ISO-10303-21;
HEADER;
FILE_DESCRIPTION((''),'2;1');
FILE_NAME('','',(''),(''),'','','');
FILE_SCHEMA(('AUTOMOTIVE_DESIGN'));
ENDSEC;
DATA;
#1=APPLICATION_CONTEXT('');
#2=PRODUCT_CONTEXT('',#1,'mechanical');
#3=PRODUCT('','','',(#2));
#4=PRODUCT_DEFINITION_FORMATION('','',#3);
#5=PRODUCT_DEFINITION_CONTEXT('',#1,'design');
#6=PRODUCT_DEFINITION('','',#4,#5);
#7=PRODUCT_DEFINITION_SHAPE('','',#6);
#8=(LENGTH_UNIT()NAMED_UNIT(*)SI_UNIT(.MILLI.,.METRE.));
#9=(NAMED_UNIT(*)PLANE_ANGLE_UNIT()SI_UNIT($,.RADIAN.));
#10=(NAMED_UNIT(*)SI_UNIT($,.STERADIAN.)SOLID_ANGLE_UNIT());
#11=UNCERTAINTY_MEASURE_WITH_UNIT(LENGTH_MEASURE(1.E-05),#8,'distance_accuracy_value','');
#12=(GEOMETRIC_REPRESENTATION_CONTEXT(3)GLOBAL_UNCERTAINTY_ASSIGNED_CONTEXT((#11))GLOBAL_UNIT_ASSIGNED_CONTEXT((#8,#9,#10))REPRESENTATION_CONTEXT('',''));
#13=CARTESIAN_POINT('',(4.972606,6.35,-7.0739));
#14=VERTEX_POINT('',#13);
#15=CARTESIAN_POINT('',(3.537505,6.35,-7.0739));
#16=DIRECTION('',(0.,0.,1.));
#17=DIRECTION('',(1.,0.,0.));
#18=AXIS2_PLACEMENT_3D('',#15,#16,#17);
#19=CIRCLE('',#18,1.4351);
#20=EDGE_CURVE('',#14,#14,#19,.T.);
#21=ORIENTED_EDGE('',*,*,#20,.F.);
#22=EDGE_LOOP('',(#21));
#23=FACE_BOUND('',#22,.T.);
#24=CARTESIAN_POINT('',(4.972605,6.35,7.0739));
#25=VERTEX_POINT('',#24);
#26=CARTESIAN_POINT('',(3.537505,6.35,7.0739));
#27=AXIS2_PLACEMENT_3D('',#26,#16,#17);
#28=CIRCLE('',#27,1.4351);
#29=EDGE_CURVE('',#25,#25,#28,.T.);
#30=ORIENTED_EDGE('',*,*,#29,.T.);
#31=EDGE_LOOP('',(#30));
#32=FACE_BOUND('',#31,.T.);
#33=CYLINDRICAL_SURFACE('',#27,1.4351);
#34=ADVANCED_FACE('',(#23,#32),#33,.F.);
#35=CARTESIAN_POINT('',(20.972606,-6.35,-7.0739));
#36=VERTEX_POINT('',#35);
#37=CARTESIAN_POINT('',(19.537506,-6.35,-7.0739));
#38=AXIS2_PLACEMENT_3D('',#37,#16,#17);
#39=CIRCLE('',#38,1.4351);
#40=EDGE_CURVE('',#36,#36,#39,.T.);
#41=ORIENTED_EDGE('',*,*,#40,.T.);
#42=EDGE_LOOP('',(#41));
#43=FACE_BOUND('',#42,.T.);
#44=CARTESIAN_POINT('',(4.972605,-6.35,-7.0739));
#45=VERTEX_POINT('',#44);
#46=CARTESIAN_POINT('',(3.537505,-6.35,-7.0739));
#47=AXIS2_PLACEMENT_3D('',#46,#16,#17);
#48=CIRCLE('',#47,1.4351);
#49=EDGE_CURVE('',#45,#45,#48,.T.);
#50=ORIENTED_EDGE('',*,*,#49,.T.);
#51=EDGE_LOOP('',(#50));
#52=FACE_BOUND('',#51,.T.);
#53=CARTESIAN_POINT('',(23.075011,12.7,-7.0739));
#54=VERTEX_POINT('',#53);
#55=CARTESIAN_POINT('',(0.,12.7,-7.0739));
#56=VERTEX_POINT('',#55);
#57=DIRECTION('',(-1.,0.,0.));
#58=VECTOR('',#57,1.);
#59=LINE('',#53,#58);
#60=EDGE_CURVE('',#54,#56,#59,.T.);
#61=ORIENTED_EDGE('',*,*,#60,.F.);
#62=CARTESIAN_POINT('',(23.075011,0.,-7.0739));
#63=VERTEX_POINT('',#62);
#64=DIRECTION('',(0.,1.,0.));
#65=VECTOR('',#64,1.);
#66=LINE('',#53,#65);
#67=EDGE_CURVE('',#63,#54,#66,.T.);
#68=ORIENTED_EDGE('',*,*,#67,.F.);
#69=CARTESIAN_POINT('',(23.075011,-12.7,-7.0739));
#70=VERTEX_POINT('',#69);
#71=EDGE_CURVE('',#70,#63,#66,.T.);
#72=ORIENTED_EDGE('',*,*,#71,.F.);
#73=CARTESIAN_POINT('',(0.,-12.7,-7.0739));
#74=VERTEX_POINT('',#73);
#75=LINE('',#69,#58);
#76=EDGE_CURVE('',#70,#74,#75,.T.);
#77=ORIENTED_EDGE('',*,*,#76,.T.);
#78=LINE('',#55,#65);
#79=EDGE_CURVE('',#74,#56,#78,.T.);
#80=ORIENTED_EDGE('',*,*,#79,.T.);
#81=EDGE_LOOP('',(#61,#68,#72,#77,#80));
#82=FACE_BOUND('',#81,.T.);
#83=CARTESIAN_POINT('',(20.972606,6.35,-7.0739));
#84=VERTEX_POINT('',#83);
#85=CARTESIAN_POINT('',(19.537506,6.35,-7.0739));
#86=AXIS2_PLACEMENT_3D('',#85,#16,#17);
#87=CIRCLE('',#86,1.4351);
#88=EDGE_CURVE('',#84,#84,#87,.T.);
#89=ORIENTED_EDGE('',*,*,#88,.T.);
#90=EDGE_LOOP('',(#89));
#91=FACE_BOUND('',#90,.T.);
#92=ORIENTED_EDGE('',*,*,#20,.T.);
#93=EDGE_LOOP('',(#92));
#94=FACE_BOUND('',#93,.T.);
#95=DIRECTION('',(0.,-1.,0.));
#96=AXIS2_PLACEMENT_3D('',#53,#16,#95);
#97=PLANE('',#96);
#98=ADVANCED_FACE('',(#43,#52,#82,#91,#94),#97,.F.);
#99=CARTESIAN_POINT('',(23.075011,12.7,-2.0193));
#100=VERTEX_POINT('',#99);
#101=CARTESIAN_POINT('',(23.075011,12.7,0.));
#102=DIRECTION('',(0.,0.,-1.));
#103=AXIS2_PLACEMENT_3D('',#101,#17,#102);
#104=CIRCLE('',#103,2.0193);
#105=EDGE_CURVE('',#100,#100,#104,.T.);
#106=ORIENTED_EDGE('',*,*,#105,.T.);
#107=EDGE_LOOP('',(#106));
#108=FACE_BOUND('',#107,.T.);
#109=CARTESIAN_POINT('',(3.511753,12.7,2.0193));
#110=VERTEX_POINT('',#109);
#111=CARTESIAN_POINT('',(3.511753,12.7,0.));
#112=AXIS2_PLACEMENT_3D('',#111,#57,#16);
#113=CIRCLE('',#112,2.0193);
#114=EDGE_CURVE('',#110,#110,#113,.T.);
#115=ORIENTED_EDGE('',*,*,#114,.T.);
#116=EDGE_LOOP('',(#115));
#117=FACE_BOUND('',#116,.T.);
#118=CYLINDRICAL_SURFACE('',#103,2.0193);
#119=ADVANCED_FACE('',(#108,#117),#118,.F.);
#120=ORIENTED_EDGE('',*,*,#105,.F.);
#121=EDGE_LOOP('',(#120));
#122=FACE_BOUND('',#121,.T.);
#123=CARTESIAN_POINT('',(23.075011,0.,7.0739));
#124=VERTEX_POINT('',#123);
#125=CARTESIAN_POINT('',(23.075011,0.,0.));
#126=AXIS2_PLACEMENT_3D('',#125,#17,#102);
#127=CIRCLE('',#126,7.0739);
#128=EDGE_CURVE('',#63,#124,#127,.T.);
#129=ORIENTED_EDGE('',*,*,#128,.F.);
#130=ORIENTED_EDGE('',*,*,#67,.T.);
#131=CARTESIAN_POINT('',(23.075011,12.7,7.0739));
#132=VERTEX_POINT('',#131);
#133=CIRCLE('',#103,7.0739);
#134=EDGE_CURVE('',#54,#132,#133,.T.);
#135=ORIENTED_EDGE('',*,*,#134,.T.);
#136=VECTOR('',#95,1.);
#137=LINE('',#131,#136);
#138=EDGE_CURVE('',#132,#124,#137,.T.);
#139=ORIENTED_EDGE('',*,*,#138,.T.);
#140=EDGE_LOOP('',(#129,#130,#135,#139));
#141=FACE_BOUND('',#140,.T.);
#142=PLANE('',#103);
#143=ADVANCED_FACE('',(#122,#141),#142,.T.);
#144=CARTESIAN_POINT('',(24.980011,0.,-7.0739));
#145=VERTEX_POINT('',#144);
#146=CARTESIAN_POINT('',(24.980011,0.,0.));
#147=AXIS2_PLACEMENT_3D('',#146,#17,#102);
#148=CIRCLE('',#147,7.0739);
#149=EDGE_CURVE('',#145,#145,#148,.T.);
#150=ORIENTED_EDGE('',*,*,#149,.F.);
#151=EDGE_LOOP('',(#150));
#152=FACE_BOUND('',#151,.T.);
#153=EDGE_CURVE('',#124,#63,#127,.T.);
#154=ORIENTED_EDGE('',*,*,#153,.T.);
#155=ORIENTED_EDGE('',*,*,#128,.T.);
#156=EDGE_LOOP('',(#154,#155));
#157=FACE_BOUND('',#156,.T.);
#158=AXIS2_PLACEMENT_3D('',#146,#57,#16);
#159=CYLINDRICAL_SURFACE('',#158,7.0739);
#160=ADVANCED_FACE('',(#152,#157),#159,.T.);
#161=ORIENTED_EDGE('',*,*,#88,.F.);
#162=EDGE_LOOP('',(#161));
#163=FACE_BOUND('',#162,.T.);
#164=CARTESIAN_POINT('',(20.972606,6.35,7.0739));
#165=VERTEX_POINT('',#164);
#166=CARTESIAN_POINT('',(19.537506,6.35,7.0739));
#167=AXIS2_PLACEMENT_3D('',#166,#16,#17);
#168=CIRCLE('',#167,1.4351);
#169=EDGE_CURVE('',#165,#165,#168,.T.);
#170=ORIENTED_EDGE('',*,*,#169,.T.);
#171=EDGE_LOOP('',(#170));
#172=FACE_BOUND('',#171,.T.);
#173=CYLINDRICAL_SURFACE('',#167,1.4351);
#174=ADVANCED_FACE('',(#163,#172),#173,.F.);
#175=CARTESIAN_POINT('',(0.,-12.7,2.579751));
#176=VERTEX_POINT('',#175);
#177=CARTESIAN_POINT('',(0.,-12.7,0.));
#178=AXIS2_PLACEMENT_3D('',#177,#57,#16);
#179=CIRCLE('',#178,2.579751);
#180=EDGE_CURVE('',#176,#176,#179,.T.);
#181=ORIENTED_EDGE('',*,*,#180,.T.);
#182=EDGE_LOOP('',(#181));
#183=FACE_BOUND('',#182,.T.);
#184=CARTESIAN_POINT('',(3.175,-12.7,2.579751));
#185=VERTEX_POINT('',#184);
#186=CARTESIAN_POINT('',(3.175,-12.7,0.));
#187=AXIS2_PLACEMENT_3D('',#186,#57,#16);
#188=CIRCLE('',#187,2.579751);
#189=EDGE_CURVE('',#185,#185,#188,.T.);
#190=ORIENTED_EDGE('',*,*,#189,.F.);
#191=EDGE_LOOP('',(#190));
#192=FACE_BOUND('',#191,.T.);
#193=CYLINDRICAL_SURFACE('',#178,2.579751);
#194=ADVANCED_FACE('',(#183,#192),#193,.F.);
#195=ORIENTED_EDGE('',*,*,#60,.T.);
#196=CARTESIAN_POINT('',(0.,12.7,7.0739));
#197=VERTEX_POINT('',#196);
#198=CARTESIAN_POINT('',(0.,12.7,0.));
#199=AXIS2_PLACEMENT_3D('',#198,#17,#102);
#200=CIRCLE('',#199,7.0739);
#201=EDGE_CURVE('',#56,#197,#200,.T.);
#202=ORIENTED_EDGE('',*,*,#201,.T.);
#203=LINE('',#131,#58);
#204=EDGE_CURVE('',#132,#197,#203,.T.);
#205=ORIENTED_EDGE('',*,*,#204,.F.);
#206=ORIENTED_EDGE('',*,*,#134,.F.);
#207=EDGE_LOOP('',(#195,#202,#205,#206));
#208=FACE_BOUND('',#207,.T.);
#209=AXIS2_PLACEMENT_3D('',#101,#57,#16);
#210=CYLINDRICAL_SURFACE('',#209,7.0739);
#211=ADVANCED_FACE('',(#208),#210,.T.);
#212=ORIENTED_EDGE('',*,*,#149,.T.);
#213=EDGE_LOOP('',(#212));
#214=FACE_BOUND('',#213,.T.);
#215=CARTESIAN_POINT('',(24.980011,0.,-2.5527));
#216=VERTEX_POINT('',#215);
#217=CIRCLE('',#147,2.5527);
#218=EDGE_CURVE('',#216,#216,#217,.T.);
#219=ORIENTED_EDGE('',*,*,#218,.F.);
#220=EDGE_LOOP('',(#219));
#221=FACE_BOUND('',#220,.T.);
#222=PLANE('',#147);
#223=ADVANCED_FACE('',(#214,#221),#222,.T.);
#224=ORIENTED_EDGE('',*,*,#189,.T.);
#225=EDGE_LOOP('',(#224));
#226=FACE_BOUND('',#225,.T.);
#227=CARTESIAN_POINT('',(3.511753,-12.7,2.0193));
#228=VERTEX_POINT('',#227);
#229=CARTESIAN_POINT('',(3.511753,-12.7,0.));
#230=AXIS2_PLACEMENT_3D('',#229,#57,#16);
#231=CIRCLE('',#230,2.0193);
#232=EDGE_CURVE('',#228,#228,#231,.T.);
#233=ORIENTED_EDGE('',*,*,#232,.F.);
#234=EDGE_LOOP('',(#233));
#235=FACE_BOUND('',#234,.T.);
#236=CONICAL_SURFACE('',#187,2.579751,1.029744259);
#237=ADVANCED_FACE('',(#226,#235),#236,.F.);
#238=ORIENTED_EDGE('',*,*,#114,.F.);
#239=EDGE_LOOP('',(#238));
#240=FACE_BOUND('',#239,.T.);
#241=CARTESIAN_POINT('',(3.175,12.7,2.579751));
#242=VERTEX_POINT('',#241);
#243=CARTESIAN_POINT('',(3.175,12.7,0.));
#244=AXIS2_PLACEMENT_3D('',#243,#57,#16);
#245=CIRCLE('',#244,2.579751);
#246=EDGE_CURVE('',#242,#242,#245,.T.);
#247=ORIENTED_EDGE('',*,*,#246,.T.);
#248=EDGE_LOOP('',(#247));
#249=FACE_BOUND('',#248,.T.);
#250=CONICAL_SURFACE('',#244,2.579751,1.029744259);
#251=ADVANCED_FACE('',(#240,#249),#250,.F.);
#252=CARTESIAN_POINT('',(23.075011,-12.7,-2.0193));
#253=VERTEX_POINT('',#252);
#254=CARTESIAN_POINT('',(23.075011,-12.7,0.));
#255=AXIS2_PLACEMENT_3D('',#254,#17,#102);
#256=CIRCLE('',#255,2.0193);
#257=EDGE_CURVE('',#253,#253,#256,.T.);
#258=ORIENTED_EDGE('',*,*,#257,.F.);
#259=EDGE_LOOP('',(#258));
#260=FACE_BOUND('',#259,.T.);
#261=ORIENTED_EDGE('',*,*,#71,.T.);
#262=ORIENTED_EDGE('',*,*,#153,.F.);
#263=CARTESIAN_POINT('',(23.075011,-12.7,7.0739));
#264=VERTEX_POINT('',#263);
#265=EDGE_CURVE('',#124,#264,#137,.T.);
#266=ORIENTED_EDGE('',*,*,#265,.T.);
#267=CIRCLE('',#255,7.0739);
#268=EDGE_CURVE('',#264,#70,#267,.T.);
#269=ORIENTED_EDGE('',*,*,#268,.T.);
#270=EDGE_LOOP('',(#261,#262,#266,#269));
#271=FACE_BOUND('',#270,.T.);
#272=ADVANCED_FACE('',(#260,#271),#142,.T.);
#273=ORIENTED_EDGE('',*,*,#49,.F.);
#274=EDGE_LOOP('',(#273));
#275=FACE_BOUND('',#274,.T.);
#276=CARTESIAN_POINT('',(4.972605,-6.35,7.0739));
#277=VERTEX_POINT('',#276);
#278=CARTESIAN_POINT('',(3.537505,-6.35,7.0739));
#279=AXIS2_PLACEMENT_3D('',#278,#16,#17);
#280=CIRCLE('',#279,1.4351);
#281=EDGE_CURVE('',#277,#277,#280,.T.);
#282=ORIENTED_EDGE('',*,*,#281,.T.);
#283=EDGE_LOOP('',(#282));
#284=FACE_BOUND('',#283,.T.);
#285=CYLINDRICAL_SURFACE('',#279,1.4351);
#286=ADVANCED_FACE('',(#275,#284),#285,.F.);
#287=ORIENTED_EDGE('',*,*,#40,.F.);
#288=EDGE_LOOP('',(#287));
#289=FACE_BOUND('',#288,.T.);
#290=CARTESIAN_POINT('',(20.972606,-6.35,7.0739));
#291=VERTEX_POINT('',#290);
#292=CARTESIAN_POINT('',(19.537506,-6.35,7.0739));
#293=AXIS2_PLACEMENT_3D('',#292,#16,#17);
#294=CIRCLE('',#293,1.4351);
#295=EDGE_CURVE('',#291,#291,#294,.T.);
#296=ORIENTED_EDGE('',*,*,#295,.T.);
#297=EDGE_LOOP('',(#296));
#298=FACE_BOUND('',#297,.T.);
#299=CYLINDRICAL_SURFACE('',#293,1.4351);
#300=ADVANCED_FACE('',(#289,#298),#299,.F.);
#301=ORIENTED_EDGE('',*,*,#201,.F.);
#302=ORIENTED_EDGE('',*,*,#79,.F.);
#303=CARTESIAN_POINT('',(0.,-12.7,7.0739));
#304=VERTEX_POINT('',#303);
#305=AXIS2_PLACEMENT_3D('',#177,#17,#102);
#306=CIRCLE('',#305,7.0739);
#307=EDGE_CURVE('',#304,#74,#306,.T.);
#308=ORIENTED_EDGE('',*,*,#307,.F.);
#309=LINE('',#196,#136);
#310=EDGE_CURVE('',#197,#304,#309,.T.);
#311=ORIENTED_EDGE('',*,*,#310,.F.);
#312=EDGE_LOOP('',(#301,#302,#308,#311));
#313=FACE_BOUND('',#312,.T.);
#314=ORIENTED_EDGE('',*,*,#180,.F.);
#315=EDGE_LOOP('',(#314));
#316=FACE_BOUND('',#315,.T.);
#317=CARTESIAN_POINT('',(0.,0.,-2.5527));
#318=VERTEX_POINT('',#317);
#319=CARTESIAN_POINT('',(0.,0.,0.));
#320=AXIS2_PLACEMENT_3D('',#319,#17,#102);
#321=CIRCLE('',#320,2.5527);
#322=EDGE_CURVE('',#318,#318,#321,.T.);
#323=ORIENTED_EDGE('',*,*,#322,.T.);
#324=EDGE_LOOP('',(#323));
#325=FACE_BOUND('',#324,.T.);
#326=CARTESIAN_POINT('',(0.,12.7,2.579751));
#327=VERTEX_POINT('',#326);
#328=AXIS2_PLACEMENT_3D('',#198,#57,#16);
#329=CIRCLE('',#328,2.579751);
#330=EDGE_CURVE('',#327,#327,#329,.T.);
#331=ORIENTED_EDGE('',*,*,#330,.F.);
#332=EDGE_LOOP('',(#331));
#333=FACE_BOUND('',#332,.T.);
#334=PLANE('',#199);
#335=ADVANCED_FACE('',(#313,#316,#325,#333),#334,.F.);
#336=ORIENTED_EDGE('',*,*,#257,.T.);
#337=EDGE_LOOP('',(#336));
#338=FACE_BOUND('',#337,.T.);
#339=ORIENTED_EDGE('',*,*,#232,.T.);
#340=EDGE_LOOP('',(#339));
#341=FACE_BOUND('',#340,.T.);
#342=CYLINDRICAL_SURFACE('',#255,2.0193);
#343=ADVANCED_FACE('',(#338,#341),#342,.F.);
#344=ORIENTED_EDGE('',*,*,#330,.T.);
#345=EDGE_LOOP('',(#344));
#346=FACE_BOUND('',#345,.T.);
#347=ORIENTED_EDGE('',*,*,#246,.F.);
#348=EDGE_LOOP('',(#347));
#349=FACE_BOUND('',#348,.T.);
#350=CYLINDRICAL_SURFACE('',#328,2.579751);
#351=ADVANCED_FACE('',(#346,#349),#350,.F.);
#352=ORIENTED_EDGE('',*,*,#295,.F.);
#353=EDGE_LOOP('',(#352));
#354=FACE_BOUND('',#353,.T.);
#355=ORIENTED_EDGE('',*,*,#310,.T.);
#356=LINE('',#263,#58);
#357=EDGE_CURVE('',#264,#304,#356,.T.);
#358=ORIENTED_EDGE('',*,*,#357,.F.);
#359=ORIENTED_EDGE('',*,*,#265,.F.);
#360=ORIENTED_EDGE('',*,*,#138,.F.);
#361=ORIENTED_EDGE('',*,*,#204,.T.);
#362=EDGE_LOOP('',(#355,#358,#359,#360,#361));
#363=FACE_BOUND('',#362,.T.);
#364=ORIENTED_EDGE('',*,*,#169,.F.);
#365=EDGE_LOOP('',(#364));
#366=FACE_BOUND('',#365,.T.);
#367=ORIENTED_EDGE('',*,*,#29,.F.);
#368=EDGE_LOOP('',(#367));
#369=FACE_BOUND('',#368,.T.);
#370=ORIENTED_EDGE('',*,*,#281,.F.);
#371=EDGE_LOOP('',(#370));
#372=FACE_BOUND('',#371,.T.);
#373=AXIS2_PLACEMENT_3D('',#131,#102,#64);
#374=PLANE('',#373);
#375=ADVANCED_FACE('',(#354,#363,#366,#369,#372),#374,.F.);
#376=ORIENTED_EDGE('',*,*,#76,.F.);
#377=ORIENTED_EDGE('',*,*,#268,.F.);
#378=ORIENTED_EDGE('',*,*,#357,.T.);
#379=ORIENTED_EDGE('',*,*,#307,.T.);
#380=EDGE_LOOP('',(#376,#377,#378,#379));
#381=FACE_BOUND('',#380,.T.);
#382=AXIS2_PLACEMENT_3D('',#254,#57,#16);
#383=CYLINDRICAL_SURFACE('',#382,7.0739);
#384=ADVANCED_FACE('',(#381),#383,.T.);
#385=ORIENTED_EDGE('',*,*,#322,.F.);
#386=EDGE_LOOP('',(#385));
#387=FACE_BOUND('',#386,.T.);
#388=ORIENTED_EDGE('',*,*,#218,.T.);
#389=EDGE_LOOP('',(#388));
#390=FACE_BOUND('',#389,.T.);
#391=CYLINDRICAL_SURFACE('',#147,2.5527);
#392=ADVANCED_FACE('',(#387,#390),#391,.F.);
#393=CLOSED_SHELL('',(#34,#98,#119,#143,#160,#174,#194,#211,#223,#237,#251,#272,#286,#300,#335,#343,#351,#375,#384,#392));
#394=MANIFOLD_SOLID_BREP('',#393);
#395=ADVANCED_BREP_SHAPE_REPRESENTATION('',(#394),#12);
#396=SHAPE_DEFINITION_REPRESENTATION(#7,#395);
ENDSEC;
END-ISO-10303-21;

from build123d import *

# Parameters (mm, degrees)
BOSS_EXTRUDE1_DEPTH                  = 23.075011
SKETCH8_R                            = 7.0739
BOSS_EXTRUDE2_DEPTH                  = 1.905
F_1_4_20_TAPPED_HOLE1_D              = 5.1054
F_10_32_TAPPED_HOLE1_D               = 4.0386
F_6_40_TAPPED_HOLE1_D                = 2.8702
F_13_64_0_20313_DIAMETER_HOLE1_D     = 5.159502
F_13_64_0_20313_DIAMETER_HOLE1_DEPTH = 3.175
F_13_64_0_20313_DIAMETER_HOLE1_TIP   = 1.550070783


with BuildPart() as part:
    # Sketch1 → Boss-Extrude1 (new body)
    with BuildSketch(Plane(origin=(0, 0, 0), x_dir=(0, 0, -1), z_dir=(1, 0, 0))):
        with BuildLine():
            Line((7.0739, 12.7), (7.0739, -12.7))
            ThreePointArc((7.0739, -12.7), (0, -19.7739), (-7.0739, -12.7))
            Line((-7.0739, -12.7), (-7.0739, 12.7))
            ThreePointArc((-7.0739, 12.7), (0, 19.7739), (7.0739, 12.7))
        make_face()
    extrude(amount=BOSS_EXTRUDE1_DEPTH)

    # Sketch8 → Boss-Extrude2 (add)
    with BuildSketch(Plane(origin=(23.075011, 0, 0), x_dir=(0, 0, -1), z_dir=(1, 0, 0))):
        Circle(SKETCH8_R)
    extrude(amount=BOSS_EXTRUDE2_DEPTH)

    # 1/4-20 Tapped Hole1 (through all)
    with Locations(Plane(origin=(24.980011, 0, 0), x_dir=(0, 0, -1), z_dir=(1, 0, 0))):
        with Locations((0, 0)):
            Hole(F_1_4_20_TAPPED_HOLE1_D / 2)

    # #10-32 Tapped Hole1 (through all)
    with Locations(Plane(origin=(23.075011, 0, 0), x_dir=(0, 0, -1), z_dir=(1, 0, 0))):
        with Locations((0, 12.7), (0, -12.7)):
            Hole(F_10_32_TAPPED_HOLE1_D / 2)

    # #6-40 Tapped Hole1 (through all)
    with Locations(Plane.XY.offset(7.0739)):
        with Locations((3.5375055, 6.35), (19.5375055, 6.35), (3.5375055, -6.35), (19.5375055, -6.35)):
            Hole(F_6_40_TAPPED_HOLE1_D / 2)

    # 13/64 (0.20313) Diameter Hole1
    with Locations(Plane.ZY):
        with Locations((0, -12.7), (0, 12.7)):
            Hole(F_13_64_0_20313_DIAMETER_HOLE1_D / 2, depth=F_13_64_0_20313_DIAMETER_HOLE1_DEPTH)
            with Locations((0, 0, -(F_13_64_0_20313_DIAMETER_HOLE1_DEPTH + F_13_64_0_20313_DIAMETER_HOLE1_TIP / 2))):  # 118° drill point
                Cone(0, F_13_64_0_20313_DIAMETER_HOLE1_D / 2, F_13_64_0_20313_DIAMETER_HOLE1_TIP, mode=Mode.SUBTRACT)


solid = part.part
